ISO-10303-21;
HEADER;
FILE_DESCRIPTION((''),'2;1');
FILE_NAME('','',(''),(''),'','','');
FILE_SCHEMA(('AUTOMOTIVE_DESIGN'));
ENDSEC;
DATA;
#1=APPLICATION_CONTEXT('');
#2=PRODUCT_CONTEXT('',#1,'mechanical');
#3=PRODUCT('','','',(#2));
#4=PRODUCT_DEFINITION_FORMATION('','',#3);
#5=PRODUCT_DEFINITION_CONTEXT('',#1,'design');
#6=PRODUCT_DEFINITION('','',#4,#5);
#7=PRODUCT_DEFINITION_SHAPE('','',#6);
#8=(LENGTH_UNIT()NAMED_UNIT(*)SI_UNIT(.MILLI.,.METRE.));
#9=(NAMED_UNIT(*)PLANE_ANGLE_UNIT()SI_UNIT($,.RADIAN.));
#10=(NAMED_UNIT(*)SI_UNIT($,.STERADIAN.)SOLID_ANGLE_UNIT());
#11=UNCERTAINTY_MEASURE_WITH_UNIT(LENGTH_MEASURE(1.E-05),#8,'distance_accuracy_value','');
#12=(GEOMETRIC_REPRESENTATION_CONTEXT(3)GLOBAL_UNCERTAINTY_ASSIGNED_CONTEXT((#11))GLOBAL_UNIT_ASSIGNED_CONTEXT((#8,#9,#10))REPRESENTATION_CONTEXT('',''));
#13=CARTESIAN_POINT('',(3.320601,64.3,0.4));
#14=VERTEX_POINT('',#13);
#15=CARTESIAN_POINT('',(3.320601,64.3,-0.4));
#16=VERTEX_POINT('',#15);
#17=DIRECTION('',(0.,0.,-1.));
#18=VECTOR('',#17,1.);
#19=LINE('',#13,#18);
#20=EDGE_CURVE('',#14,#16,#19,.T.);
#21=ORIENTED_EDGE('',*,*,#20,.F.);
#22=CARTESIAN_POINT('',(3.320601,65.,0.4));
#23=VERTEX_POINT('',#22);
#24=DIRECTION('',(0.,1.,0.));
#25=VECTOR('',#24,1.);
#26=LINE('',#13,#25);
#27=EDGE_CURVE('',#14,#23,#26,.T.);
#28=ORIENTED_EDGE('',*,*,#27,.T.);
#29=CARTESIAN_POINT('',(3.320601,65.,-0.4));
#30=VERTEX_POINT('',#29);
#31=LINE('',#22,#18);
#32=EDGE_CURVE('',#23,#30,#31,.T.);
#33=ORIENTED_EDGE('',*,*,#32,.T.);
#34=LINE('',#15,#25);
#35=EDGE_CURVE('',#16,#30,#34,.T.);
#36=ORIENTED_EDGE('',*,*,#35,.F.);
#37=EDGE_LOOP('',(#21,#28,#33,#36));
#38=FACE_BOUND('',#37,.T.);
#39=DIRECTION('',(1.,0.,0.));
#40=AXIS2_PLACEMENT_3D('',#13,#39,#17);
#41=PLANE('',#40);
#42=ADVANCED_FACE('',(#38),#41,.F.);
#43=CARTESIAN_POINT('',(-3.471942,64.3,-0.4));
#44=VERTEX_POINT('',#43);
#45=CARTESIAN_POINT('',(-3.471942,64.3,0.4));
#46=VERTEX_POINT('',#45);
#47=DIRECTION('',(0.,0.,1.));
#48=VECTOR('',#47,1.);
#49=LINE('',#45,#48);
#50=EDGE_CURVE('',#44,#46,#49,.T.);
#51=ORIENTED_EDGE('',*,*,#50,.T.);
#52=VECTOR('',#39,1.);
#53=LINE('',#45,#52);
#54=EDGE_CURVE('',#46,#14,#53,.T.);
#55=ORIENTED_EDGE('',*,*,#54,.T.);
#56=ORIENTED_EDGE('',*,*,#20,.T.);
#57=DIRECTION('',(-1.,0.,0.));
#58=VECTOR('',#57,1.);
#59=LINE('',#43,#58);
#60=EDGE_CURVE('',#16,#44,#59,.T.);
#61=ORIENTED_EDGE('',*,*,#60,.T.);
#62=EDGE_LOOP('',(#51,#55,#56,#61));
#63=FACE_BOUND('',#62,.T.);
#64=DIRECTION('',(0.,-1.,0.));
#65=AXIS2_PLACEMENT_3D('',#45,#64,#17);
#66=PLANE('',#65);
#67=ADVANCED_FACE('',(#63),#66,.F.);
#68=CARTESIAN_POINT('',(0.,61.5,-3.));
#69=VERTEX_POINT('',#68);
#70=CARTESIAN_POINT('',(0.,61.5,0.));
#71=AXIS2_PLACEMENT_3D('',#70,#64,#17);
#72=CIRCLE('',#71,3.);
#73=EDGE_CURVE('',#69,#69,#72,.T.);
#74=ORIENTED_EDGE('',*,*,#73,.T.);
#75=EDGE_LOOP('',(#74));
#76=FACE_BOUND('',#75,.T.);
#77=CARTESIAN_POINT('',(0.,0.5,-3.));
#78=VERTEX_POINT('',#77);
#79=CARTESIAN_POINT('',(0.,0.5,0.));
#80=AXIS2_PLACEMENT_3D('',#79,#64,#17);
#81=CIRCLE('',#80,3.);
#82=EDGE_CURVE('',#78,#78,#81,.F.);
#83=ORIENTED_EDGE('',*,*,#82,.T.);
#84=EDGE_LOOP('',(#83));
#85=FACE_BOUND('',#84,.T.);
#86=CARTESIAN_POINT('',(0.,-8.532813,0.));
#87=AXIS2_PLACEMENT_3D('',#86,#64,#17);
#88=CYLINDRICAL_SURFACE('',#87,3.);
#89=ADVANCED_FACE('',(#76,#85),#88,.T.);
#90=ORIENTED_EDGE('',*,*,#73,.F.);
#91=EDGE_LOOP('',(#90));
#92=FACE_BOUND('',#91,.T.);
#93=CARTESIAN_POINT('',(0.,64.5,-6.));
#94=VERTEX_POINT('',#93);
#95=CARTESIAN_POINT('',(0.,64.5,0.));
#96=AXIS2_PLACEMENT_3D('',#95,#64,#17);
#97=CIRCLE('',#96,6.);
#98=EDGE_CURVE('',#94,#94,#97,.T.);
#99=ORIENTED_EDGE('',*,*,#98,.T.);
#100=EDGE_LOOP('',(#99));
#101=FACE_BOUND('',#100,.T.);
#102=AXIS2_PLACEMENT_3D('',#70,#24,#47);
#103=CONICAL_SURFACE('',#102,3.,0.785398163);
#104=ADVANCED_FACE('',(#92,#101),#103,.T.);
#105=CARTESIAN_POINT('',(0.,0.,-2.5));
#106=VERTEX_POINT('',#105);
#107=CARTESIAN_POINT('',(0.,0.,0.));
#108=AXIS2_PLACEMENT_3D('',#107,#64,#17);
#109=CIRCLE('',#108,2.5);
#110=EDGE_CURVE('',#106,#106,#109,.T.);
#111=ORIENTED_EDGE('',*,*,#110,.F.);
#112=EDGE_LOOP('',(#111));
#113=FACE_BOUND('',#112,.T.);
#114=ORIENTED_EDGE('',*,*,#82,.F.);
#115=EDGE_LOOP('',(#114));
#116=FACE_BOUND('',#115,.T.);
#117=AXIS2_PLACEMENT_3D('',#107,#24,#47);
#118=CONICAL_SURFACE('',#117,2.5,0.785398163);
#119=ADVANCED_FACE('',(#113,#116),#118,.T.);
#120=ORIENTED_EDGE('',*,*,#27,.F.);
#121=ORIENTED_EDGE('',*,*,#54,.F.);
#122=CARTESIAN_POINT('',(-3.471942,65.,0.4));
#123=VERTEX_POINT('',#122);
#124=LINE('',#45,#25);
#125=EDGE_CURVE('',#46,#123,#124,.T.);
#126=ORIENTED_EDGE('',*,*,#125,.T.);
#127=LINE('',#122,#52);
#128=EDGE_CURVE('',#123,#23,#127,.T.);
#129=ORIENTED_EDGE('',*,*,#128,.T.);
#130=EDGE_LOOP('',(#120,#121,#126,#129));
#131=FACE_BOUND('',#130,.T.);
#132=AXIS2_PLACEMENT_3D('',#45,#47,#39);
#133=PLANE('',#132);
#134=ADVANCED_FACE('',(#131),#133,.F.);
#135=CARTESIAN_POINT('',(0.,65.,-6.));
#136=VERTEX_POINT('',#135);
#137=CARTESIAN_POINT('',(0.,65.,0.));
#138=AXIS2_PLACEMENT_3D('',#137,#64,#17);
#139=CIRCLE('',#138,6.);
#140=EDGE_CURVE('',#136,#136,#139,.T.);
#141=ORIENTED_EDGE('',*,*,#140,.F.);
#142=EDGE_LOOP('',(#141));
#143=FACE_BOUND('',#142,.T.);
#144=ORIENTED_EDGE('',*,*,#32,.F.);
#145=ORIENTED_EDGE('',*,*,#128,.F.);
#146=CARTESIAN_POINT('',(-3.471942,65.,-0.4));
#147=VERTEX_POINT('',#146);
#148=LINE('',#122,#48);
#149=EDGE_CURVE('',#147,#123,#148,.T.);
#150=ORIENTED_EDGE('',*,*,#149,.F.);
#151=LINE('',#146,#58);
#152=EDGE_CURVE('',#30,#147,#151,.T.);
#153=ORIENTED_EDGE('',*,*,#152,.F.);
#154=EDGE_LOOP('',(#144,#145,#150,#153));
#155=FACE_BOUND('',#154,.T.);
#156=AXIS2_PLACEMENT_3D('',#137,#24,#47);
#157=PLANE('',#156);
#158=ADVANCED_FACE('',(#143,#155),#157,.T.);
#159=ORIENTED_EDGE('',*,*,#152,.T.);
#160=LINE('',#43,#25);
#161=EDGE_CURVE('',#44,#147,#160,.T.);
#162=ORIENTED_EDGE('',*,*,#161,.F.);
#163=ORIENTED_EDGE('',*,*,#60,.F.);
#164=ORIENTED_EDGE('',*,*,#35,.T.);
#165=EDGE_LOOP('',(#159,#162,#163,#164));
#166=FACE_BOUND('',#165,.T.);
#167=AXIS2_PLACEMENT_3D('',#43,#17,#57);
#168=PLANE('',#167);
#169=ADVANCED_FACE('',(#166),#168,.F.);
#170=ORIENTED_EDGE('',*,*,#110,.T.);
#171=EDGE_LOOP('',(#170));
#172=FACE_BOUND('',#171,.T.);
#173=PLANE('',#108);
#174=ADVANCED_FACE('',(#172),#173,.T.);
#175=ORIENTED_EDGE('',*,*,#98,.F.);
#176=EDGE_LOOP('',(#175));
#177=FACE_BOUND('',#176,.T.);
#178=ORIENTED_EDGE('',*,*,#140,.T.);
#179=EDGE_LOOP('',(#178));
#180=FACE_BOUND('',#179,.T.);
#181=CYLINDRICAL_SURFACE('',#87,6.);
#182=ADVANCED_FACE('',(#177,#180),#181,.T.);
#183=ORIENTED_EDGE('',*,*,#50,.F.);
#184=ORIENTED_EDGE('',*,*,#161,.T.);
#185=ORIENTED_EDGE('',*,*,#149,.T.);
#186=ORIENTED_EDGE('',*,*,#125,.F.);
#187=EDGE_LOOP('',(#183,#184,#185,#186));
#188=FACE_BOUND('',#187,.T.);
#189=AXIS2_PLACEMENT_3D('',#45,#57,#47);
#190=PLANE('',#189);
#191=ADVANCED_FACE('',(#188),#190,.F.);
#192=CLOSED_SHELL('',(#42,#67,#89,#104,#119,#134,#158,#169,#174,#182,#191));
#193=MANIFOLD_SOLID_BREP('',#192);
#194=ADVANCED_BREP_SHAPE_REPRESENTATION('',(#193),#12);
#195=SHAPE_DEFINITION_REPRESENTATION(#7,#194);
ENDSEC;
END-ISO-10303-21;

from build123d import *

# Parameters (mm, degrees)
SKETCH_2_W          = 6.792543124
SKETCH_2_H          = 0.8
CUT_EXTRUDE_1_DEPTH = 0.7
CHAMFER_1_SIZE      = 0.5


with BuildPart() as part:
    # 草圖1 → 旋轉1 (revolve)
    with BuildSketch(Plane.XY):
        Polygon((0, 65), (6, 65), (6, 64.5), (3, 61.5), (3, 0), (0, 0), align=None)
    revolve(axis=Axis((0, -8.5328125, 0), (0, 1, 0)))

    # 草圖2 → 除料-伸長1 (cut)
    with BuildSketch(Plane(origin=(0, 65, 0), x_dir=(-1, 0, 0), z_dir=(0, 1, 0))):
        with Locations((0.075670859, 0)):
            Rectangle(SKETCH_2_W, SKETCH_2_H)
    extrude(amount=-CUT_EXTRUDE_1_DEPTH, mode=Mode.SUBTRACT)

    # 導角1
    chamfer_1_edges = [part.edges().sort_by_distance(p)[0] for p in [
        (-3, 0, 0),
    ]]
    chamfer(chamfer_1_edges, length=CHAMFER_1_SIZE)


solid = part.part
